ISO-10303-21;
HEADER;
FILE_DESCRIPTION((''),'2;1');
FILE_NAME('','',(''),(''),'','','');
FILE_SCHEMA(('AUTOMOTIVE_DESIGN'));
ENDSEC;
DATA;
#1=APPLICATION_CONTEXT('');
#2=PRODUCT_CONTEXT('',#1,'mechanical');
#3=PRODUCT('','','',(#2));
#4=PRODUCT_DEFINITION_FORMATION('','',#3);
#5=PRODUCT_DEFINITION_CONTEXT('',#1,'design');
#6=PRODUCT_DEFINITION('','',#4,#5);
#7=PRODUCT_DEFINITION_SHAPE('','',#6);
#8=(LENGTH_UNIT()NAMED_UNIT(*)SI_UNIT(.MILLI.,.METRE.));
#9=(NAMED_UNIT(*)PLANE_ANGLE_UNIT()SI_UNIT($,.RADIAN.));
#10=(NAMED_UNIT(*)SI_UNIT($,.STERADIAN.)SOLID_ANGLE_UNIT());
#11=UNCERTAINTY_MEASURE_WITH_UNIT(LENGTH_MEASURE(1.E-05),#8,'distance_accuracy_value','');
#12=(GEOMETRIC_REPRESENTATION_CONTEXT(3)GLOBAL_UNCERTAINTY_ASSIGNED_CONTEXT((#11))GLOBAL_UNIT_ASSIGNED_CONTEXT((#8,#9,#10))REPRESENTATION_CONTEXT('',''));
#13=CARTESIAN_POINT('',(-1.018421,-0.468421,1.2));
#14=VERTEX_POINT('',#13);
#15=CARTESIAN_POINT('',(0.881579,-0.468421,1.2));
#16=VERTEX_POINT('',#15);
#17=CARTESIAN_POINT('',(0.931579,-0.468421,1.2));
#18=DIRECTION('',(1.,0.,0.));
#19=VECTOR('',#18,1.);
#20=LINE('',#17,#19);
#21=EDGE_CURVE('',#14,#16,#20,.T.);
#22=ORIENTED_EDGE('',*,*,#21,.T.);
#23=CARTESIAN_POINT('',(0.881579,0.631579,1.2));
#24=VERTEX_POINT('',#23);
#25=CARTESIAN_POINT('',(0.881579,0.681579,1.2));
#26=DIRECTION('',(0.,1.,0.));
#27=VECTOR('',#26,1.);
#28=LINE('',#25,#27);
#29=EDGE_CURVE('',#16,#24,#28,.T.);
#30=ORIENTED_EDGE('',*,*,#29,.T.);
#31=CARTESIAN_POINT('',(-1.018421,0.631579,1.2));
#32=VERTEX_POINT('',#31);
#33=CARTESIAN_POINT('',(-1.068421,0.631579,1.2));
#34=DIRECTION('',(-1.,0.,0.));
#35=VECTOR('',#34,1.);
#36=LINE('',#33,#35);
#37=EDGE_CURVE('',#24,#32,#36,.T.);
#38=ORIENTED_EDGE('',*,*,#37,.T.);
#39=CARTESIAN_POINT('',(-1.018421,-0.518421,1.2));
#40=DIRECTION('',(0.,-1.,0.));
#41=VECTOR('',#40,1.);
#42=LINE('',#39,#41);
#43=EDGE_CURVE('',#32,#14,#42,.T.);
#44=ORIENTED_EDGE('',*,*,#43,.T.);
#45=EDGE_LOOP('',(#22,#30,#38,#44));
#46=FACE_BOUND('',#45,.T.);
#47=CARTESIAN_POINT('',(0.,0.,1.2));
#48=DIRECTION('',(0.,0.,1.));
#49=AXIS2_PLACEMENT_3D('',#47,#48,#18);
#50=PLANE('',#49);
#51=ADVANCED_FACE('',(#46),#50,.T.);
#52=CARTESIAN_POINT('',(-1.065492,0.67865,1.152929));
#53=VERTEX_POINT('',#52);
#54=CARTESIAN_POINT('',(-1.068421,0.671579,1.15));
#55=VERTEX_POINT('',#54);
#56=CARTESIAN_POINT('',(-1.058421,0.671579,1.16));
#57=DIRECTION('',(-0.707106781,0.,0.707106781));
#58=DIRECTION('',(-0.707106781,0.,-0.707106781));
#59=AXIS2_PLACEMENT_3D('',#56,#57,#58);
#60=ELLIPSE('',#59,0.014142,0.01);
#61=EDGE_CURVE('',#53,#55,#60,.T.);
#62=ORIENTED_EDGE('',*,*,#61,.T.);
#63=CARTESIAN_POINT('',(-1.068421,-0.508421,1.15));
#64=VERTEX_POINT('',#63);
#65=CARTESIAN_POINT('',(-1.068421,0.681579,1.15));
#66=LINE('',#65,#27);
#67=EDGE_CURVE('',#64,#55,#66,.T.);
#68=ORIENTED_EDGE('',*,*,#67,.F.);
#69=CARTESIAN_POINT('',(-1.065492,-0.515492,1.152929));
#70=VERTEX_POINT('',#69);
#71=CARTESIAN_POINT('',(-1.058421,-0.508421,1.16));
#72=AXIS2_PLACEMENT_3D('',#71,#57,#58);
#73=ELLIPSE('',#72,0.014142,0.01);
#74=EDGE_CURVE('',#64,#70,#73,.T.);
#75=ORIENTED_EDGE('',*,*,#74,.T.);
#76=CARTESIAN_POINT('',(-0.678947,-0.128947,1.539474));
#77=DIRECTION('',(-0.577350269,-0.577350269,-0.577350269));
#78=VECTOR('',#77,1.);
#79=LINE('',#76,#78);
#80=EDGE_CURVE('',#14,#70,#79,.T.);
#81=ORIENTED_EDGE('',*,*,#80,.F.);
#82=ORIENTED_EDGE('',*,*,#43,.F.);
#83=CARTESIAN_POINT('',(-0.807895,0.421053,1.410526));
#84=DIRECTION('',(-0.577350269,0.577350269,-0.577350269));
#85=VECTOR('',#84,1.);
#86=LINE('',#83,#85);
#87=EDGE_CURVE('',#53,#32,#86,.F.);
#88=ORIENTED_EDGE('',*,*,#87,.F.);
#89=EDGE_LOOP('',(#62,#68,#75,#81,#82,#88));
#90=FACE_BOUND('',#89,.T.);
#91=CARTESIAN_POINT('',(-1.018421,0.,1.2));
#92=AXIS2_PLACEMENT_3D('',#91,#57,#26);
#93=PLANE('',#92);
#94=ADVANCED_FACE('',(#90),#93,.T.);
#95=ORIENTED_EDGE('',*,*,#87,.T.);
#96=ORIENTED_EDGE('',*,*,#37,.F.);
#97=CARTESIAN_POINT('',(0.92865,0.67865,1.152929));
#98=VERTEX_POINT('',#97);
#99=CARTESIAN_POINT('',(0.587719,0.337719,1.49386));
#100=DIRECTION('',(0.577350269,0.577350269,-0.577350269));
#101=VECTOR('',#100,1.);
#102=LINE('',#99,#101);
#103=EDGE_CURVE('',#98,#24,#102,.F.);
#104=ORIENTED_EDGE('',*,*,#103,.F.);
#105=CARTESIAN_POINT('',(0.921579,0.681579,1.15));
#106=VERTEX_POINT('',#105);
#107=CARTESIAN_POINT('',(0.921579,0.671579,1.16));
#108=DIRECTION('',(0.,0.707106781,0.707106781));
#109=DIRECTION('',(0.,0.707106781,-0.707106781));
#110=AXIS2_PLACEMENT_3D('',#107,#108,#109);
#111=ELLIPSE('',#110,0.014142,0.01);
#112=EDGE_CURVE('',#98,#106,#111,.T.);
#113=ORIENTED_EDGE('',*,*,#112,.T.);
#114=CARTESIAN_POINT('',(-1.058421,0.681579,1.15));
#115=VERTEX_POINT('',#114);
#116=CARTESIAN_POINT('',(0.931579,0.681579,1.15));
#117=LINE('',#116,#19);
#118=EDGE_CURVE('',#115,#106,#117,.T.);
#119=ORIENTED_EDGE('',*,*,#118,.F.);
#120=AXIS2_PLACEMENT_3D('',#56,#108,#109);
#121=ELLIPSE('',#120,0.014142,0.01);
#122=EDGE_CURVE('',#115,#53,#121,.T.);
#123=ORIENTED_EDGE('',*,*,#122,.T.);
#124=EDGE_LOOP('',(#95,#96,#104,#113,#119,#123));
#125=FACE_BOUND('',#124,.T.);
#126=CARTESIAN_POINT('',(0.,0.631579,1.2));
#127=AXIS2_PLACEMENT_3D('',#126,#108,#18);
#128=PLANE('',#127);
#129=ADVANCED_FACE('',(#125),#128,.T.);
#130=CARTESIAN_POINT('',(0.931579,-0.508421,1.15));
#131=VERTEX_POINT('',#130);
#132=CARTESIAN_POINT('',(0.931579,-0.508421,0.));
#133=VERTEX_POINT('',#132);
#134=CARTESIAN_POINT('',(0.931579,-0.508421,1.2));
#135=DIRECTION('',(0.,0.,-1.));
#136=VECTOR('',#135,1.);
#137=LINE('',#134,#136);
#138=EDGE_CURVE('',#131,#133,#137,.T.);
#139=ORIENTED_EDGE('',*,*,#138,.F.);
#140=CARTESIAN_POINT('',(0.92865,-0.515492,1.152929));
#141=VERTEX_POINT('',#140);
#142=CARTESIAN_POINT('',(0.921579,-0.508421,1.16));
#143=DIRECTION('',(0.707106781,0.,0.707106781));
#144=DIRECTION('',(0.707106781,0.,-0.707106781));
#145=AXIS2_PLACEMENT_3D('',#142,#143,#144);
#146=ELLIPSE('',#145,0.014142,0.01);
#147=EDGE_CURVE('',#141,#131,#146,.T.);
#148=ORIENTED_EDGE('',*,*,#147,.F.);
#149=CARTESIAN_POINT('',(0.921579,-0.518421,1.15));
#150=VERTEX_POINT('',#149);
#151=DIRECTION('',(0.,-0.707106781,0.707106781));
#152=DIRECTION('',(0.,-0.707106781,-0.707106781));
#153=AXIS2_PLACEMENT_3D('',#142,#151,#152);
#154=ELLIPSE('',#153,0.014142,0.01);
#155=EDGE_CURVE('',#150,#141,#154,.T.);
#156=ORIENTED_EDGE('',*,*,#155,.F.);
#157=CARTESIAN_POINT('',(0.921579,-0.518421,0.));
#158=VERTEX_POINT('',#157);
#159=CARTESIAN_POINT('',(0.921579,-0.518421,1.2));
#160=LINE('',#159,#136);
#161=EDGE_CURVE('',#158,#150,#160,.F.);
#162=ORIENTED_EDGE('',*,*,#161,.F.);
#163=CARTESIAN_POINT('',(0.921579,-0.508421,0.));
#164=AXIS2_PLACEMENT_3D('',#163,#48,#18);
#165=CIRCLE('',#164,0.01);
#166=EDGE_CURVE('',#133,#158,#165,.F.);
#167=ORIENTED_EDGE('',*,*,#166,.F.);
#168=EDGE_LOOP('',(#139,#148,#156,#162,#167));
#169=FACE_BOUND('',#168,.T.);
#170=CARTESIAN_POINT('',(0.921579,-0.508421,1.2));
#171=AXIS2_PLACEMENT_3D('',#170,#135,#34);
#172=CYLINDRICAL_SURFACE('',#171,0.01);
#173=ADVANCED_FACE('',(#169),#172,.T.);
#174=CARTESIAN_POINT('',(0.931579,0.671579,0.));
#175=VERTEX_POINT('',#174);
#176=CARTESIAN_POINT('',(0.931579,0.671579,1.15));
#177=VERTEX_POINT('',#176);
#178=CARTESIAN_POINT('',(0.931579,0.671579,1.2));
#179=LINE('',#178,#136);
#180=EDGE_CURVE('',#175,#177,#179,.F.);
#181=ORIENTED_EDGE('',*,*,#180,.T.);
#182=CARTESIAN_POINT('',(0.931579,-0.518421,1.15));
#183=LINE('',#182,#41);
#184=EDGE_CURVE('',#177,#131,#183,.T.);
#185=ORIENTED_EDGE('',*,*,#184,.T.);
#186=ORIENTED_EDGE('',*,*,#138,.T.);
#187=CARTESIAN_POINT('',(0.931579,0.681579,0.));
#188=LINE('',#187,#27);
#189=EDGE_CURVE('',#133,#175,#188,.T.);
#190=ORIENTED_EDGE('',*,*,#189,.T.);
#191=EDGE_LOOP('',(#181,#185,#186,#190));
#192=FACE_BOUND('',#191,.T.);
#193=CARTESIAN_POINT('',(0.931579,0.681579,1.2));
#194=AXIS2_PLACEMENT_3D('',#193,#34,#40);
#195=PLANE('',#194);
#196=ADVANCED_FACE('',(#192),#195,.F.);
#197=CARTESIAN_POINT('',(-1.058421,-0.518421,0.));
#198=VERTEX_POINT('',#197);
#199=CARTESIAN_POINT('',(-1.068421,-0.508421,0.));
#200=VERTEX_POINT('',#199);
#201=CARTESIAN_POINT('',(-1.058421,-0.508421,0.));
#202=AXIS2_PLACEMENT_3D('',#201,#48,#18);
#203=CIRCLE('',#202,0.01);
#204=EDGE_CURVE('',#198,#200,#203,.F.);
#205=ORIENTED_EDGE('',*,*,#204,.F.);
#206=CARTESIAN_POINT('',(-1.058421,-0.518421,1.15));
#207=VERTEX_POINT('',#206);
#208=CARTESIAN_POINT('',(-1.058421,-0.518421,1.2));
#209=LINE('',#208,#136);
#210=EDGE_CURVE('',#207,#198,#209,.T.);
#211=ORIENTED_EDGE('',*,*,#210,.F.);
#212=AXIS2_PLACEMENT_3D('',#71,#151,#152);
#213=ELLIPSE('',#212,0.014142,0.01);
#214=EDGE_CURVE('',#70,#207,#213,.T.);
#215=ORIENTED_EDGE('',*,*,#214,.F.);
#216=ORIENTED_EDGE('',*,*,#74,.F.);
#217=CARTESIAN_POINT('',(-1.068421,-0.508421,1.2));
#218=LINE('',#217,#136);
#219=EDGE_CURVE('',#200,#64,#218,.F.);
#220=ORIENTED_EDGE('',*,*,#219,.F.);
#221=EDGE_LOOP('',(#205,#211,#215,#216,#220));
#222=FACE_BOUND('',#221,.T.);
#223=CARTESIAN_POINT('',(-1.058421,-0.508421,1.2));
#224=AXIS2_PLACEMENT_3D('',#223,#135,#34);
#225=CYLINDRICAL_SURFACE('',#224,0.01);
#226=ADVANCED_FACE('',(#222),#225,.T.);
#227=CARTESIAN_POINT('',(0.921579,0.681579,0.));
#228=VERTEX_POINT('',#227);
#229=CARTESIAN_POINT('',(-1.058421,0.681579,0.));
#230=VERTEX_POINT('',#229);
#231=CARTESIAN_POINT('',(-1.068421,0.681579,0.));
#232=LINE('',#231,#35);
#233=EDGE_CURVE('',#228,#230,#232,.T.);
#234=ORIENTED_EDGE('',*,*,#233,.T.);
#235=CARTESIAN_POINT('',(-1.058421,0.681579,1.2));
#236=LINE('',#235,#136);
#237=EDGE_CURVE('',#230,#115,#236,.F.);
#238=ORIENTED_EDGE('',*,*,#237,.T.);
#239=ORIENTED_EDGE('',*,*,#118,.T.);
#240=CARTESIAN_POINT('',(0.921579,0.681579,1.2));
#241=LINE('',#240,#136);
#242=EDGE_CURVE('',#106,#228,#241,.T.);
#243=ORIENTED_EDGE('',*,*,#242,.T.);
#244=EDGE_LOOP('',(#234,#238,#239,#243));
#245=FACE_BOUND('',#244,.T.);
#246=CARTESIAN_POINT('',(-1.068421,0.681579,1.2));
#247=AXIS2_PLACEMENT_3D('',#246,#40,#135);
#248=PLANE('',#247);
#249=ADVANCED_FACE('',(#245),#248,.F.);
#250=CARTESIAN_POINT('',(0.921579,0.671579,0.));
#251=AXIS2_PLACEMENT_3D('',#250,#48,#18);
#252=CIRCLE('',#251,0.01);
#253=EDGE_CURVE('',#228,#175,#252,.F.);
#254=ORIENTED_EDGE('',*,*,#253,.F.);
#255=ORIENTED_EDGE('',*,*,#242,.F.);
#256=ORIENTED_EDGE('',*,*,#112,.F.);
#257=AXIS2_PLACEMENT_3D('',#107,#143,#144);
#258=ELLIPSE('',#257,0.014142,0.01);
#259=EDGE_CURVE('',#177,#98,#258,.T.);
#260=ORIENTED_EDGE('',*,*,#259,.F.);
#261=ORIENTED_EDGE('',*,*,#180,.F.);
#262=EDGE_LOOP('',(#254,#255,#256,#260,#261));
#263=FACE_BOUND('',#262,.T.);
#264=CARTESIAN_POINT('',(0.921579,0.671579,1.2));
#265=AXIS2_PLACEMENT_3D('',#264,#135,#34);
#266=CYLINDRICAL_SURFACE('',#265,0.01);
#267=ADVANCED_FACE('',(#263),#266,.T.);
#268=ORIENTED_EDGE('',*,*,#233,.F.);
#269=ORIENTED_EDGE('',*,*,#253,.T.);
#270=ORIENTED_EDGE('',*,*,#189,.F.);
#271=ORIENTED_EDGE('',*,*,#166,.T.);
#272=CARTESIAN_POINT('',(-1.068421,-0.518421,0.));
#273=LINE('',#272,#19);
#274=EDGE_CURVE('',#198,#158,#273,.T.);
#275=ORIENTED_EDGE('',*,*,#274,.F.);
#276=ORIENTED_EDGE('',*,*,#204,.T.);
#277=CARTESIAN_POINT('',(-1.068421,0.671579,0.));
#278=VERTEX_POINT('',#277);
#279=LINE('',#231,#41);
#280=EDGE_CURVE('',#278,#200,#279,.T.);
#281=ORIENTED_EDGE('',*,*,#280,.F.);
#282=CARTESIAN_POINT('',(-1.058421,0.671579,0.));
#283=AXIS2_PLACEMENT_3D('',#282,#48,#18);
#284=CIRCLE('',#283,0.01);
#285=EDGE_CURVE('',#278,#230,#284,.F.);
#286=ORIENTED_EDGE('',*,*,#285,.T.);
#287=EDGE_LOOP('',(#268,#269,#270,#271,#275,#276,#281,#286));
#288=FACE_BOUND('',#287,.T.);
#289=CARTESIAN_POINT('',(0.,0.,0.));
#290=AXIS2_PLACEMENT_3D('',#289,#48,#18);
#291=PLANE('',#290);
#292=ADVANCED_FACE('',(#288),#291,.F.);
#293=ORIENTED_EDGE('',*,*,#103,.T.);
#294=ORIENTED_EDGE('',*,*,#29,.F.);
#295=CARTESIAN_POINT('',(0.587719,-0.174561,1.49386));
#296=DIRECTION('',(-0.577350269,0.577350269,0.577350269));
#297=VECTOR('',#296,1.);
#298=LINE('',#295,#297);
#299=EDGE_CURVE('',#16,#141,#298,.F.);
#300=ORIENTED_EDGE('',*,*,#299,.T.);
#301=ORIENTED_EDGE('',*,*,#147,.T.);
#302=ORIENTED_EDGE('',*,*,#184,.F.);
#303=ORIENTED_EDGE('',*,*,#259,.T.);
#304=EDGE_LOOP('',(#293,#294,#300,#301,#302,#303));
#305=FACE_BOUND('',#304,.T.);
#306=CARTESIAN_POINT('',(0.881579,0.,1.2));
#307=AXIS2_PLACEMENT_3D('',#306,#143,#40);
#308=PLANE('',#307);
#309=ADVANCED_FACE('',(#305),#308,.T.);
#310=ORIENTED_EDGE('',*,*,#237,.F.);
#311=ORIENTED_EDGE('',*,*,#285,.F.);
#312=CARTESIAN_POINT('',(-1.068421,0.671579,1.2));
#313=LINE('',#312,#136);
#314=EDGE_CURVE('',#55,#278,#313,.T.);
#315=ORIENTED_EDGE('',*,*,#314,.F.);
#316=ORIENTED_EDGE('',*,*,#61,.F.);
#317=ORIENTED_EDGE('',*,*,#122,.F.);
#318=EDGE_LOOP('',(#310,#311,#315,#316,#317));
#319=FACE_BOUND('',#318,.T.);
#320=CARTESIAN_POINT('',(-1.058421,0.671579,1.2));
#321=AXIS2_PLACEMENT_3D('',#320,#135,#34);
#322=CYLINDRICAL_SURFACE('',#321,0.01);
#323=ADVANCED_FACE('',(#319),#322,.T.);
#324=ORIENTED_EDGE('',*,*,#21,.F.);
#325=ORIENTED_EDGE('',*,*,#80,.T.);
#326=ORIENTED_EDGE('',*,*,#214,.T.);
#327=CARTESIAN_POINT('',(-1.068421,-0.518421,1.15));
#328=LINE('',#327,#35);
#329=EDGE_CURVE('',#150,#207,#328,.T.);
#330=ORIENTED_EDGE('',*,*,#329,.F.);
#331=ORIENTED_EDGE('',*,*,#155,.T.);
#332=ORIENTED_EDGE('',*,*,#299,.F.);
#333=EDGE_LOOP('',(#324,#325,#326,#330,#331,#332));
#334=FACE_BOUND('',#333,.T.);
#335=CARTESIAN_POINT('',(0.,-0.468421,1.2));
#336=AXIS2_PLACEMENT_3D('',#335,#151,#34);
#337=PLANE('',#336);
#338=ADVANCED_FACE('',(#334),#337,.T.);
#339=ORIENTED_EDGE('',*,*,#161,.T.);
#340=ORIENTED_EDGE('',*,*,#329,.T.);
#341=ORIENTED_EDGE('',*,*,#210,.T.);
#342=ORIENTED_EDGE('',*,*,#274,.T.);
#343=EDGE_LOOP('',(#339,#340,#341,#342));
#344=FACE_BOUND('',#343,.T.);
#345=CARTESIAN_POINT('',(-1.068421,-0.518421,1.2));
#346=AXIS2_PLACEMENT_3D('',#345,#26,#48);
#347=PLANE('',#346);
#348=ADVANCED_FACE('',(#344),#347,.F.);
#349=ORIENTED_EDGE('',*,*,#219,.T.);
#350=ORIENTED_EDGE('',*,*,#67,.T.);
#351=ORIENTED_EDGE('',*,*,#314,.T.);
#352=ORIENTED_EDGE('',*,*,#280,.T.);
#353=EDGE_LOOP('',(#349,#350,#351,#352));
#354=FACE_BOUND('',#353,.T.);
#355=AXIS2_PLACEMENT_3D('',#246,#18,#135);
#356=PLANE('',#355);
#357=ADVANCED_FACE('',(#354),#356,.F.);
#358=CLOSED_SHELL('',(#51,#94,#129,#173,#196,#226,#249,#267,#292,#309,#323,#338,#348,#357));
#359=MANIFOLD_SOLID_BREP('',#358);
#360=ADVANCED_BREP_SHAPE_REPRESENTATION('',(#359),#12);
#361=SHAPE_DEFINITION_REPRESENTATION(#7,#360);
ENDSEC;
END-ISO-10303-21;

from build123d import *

# Parameters (mm, degrees)
SKETCH1_W           = 2
SKETCH1_H           = 1.2
BOSS_EXTRUDE1_DEPTH = 1.2
CHAMFER1_SIZE       = 0.05
FILLET1_R           = 0.01


with BuildPart() as part:
    # Sketch1 → Boss-Extrude1 (new body)
    with BuildSketch(Plane.XY):
        with Locations((-0.068421053, 0.081578947)):
            Rectangle(SKETCH1_W, SKETCH1_H)
    extrude(amount=BOSS_EXTRUDE1_DEPTH)

    # Chamfer1
    chamfer1_edges = [part.edges().sort_by_distance(p)[0] for p in [
        (0.931578947, 0.081578947, 1.2),
        (-0.068421053, 0.681578947, 1.2),
        (-1.068421053, 0.081578947, 1.2),
        (-0.068421053, -0.518421053, 1.2),
    ]]
    chamfer(chamfer1_edges, length=CHAMFER1_SIZE)

    # Fillet1
    fillet1_edges = [part.edges().sort_by_distance(p)[0] for p in [
        (0.931578947, 0.681578947, 0.575),
        (0.931578947, -0.518421053, 0.575),
        (-1.068421053, 0.681578947, 0.575),
        (-1.068421053, -0.518421053, 0.575),
    ]]
    fillet(fillet1_edges, radius=FILLET1_R)


solid = part.part
